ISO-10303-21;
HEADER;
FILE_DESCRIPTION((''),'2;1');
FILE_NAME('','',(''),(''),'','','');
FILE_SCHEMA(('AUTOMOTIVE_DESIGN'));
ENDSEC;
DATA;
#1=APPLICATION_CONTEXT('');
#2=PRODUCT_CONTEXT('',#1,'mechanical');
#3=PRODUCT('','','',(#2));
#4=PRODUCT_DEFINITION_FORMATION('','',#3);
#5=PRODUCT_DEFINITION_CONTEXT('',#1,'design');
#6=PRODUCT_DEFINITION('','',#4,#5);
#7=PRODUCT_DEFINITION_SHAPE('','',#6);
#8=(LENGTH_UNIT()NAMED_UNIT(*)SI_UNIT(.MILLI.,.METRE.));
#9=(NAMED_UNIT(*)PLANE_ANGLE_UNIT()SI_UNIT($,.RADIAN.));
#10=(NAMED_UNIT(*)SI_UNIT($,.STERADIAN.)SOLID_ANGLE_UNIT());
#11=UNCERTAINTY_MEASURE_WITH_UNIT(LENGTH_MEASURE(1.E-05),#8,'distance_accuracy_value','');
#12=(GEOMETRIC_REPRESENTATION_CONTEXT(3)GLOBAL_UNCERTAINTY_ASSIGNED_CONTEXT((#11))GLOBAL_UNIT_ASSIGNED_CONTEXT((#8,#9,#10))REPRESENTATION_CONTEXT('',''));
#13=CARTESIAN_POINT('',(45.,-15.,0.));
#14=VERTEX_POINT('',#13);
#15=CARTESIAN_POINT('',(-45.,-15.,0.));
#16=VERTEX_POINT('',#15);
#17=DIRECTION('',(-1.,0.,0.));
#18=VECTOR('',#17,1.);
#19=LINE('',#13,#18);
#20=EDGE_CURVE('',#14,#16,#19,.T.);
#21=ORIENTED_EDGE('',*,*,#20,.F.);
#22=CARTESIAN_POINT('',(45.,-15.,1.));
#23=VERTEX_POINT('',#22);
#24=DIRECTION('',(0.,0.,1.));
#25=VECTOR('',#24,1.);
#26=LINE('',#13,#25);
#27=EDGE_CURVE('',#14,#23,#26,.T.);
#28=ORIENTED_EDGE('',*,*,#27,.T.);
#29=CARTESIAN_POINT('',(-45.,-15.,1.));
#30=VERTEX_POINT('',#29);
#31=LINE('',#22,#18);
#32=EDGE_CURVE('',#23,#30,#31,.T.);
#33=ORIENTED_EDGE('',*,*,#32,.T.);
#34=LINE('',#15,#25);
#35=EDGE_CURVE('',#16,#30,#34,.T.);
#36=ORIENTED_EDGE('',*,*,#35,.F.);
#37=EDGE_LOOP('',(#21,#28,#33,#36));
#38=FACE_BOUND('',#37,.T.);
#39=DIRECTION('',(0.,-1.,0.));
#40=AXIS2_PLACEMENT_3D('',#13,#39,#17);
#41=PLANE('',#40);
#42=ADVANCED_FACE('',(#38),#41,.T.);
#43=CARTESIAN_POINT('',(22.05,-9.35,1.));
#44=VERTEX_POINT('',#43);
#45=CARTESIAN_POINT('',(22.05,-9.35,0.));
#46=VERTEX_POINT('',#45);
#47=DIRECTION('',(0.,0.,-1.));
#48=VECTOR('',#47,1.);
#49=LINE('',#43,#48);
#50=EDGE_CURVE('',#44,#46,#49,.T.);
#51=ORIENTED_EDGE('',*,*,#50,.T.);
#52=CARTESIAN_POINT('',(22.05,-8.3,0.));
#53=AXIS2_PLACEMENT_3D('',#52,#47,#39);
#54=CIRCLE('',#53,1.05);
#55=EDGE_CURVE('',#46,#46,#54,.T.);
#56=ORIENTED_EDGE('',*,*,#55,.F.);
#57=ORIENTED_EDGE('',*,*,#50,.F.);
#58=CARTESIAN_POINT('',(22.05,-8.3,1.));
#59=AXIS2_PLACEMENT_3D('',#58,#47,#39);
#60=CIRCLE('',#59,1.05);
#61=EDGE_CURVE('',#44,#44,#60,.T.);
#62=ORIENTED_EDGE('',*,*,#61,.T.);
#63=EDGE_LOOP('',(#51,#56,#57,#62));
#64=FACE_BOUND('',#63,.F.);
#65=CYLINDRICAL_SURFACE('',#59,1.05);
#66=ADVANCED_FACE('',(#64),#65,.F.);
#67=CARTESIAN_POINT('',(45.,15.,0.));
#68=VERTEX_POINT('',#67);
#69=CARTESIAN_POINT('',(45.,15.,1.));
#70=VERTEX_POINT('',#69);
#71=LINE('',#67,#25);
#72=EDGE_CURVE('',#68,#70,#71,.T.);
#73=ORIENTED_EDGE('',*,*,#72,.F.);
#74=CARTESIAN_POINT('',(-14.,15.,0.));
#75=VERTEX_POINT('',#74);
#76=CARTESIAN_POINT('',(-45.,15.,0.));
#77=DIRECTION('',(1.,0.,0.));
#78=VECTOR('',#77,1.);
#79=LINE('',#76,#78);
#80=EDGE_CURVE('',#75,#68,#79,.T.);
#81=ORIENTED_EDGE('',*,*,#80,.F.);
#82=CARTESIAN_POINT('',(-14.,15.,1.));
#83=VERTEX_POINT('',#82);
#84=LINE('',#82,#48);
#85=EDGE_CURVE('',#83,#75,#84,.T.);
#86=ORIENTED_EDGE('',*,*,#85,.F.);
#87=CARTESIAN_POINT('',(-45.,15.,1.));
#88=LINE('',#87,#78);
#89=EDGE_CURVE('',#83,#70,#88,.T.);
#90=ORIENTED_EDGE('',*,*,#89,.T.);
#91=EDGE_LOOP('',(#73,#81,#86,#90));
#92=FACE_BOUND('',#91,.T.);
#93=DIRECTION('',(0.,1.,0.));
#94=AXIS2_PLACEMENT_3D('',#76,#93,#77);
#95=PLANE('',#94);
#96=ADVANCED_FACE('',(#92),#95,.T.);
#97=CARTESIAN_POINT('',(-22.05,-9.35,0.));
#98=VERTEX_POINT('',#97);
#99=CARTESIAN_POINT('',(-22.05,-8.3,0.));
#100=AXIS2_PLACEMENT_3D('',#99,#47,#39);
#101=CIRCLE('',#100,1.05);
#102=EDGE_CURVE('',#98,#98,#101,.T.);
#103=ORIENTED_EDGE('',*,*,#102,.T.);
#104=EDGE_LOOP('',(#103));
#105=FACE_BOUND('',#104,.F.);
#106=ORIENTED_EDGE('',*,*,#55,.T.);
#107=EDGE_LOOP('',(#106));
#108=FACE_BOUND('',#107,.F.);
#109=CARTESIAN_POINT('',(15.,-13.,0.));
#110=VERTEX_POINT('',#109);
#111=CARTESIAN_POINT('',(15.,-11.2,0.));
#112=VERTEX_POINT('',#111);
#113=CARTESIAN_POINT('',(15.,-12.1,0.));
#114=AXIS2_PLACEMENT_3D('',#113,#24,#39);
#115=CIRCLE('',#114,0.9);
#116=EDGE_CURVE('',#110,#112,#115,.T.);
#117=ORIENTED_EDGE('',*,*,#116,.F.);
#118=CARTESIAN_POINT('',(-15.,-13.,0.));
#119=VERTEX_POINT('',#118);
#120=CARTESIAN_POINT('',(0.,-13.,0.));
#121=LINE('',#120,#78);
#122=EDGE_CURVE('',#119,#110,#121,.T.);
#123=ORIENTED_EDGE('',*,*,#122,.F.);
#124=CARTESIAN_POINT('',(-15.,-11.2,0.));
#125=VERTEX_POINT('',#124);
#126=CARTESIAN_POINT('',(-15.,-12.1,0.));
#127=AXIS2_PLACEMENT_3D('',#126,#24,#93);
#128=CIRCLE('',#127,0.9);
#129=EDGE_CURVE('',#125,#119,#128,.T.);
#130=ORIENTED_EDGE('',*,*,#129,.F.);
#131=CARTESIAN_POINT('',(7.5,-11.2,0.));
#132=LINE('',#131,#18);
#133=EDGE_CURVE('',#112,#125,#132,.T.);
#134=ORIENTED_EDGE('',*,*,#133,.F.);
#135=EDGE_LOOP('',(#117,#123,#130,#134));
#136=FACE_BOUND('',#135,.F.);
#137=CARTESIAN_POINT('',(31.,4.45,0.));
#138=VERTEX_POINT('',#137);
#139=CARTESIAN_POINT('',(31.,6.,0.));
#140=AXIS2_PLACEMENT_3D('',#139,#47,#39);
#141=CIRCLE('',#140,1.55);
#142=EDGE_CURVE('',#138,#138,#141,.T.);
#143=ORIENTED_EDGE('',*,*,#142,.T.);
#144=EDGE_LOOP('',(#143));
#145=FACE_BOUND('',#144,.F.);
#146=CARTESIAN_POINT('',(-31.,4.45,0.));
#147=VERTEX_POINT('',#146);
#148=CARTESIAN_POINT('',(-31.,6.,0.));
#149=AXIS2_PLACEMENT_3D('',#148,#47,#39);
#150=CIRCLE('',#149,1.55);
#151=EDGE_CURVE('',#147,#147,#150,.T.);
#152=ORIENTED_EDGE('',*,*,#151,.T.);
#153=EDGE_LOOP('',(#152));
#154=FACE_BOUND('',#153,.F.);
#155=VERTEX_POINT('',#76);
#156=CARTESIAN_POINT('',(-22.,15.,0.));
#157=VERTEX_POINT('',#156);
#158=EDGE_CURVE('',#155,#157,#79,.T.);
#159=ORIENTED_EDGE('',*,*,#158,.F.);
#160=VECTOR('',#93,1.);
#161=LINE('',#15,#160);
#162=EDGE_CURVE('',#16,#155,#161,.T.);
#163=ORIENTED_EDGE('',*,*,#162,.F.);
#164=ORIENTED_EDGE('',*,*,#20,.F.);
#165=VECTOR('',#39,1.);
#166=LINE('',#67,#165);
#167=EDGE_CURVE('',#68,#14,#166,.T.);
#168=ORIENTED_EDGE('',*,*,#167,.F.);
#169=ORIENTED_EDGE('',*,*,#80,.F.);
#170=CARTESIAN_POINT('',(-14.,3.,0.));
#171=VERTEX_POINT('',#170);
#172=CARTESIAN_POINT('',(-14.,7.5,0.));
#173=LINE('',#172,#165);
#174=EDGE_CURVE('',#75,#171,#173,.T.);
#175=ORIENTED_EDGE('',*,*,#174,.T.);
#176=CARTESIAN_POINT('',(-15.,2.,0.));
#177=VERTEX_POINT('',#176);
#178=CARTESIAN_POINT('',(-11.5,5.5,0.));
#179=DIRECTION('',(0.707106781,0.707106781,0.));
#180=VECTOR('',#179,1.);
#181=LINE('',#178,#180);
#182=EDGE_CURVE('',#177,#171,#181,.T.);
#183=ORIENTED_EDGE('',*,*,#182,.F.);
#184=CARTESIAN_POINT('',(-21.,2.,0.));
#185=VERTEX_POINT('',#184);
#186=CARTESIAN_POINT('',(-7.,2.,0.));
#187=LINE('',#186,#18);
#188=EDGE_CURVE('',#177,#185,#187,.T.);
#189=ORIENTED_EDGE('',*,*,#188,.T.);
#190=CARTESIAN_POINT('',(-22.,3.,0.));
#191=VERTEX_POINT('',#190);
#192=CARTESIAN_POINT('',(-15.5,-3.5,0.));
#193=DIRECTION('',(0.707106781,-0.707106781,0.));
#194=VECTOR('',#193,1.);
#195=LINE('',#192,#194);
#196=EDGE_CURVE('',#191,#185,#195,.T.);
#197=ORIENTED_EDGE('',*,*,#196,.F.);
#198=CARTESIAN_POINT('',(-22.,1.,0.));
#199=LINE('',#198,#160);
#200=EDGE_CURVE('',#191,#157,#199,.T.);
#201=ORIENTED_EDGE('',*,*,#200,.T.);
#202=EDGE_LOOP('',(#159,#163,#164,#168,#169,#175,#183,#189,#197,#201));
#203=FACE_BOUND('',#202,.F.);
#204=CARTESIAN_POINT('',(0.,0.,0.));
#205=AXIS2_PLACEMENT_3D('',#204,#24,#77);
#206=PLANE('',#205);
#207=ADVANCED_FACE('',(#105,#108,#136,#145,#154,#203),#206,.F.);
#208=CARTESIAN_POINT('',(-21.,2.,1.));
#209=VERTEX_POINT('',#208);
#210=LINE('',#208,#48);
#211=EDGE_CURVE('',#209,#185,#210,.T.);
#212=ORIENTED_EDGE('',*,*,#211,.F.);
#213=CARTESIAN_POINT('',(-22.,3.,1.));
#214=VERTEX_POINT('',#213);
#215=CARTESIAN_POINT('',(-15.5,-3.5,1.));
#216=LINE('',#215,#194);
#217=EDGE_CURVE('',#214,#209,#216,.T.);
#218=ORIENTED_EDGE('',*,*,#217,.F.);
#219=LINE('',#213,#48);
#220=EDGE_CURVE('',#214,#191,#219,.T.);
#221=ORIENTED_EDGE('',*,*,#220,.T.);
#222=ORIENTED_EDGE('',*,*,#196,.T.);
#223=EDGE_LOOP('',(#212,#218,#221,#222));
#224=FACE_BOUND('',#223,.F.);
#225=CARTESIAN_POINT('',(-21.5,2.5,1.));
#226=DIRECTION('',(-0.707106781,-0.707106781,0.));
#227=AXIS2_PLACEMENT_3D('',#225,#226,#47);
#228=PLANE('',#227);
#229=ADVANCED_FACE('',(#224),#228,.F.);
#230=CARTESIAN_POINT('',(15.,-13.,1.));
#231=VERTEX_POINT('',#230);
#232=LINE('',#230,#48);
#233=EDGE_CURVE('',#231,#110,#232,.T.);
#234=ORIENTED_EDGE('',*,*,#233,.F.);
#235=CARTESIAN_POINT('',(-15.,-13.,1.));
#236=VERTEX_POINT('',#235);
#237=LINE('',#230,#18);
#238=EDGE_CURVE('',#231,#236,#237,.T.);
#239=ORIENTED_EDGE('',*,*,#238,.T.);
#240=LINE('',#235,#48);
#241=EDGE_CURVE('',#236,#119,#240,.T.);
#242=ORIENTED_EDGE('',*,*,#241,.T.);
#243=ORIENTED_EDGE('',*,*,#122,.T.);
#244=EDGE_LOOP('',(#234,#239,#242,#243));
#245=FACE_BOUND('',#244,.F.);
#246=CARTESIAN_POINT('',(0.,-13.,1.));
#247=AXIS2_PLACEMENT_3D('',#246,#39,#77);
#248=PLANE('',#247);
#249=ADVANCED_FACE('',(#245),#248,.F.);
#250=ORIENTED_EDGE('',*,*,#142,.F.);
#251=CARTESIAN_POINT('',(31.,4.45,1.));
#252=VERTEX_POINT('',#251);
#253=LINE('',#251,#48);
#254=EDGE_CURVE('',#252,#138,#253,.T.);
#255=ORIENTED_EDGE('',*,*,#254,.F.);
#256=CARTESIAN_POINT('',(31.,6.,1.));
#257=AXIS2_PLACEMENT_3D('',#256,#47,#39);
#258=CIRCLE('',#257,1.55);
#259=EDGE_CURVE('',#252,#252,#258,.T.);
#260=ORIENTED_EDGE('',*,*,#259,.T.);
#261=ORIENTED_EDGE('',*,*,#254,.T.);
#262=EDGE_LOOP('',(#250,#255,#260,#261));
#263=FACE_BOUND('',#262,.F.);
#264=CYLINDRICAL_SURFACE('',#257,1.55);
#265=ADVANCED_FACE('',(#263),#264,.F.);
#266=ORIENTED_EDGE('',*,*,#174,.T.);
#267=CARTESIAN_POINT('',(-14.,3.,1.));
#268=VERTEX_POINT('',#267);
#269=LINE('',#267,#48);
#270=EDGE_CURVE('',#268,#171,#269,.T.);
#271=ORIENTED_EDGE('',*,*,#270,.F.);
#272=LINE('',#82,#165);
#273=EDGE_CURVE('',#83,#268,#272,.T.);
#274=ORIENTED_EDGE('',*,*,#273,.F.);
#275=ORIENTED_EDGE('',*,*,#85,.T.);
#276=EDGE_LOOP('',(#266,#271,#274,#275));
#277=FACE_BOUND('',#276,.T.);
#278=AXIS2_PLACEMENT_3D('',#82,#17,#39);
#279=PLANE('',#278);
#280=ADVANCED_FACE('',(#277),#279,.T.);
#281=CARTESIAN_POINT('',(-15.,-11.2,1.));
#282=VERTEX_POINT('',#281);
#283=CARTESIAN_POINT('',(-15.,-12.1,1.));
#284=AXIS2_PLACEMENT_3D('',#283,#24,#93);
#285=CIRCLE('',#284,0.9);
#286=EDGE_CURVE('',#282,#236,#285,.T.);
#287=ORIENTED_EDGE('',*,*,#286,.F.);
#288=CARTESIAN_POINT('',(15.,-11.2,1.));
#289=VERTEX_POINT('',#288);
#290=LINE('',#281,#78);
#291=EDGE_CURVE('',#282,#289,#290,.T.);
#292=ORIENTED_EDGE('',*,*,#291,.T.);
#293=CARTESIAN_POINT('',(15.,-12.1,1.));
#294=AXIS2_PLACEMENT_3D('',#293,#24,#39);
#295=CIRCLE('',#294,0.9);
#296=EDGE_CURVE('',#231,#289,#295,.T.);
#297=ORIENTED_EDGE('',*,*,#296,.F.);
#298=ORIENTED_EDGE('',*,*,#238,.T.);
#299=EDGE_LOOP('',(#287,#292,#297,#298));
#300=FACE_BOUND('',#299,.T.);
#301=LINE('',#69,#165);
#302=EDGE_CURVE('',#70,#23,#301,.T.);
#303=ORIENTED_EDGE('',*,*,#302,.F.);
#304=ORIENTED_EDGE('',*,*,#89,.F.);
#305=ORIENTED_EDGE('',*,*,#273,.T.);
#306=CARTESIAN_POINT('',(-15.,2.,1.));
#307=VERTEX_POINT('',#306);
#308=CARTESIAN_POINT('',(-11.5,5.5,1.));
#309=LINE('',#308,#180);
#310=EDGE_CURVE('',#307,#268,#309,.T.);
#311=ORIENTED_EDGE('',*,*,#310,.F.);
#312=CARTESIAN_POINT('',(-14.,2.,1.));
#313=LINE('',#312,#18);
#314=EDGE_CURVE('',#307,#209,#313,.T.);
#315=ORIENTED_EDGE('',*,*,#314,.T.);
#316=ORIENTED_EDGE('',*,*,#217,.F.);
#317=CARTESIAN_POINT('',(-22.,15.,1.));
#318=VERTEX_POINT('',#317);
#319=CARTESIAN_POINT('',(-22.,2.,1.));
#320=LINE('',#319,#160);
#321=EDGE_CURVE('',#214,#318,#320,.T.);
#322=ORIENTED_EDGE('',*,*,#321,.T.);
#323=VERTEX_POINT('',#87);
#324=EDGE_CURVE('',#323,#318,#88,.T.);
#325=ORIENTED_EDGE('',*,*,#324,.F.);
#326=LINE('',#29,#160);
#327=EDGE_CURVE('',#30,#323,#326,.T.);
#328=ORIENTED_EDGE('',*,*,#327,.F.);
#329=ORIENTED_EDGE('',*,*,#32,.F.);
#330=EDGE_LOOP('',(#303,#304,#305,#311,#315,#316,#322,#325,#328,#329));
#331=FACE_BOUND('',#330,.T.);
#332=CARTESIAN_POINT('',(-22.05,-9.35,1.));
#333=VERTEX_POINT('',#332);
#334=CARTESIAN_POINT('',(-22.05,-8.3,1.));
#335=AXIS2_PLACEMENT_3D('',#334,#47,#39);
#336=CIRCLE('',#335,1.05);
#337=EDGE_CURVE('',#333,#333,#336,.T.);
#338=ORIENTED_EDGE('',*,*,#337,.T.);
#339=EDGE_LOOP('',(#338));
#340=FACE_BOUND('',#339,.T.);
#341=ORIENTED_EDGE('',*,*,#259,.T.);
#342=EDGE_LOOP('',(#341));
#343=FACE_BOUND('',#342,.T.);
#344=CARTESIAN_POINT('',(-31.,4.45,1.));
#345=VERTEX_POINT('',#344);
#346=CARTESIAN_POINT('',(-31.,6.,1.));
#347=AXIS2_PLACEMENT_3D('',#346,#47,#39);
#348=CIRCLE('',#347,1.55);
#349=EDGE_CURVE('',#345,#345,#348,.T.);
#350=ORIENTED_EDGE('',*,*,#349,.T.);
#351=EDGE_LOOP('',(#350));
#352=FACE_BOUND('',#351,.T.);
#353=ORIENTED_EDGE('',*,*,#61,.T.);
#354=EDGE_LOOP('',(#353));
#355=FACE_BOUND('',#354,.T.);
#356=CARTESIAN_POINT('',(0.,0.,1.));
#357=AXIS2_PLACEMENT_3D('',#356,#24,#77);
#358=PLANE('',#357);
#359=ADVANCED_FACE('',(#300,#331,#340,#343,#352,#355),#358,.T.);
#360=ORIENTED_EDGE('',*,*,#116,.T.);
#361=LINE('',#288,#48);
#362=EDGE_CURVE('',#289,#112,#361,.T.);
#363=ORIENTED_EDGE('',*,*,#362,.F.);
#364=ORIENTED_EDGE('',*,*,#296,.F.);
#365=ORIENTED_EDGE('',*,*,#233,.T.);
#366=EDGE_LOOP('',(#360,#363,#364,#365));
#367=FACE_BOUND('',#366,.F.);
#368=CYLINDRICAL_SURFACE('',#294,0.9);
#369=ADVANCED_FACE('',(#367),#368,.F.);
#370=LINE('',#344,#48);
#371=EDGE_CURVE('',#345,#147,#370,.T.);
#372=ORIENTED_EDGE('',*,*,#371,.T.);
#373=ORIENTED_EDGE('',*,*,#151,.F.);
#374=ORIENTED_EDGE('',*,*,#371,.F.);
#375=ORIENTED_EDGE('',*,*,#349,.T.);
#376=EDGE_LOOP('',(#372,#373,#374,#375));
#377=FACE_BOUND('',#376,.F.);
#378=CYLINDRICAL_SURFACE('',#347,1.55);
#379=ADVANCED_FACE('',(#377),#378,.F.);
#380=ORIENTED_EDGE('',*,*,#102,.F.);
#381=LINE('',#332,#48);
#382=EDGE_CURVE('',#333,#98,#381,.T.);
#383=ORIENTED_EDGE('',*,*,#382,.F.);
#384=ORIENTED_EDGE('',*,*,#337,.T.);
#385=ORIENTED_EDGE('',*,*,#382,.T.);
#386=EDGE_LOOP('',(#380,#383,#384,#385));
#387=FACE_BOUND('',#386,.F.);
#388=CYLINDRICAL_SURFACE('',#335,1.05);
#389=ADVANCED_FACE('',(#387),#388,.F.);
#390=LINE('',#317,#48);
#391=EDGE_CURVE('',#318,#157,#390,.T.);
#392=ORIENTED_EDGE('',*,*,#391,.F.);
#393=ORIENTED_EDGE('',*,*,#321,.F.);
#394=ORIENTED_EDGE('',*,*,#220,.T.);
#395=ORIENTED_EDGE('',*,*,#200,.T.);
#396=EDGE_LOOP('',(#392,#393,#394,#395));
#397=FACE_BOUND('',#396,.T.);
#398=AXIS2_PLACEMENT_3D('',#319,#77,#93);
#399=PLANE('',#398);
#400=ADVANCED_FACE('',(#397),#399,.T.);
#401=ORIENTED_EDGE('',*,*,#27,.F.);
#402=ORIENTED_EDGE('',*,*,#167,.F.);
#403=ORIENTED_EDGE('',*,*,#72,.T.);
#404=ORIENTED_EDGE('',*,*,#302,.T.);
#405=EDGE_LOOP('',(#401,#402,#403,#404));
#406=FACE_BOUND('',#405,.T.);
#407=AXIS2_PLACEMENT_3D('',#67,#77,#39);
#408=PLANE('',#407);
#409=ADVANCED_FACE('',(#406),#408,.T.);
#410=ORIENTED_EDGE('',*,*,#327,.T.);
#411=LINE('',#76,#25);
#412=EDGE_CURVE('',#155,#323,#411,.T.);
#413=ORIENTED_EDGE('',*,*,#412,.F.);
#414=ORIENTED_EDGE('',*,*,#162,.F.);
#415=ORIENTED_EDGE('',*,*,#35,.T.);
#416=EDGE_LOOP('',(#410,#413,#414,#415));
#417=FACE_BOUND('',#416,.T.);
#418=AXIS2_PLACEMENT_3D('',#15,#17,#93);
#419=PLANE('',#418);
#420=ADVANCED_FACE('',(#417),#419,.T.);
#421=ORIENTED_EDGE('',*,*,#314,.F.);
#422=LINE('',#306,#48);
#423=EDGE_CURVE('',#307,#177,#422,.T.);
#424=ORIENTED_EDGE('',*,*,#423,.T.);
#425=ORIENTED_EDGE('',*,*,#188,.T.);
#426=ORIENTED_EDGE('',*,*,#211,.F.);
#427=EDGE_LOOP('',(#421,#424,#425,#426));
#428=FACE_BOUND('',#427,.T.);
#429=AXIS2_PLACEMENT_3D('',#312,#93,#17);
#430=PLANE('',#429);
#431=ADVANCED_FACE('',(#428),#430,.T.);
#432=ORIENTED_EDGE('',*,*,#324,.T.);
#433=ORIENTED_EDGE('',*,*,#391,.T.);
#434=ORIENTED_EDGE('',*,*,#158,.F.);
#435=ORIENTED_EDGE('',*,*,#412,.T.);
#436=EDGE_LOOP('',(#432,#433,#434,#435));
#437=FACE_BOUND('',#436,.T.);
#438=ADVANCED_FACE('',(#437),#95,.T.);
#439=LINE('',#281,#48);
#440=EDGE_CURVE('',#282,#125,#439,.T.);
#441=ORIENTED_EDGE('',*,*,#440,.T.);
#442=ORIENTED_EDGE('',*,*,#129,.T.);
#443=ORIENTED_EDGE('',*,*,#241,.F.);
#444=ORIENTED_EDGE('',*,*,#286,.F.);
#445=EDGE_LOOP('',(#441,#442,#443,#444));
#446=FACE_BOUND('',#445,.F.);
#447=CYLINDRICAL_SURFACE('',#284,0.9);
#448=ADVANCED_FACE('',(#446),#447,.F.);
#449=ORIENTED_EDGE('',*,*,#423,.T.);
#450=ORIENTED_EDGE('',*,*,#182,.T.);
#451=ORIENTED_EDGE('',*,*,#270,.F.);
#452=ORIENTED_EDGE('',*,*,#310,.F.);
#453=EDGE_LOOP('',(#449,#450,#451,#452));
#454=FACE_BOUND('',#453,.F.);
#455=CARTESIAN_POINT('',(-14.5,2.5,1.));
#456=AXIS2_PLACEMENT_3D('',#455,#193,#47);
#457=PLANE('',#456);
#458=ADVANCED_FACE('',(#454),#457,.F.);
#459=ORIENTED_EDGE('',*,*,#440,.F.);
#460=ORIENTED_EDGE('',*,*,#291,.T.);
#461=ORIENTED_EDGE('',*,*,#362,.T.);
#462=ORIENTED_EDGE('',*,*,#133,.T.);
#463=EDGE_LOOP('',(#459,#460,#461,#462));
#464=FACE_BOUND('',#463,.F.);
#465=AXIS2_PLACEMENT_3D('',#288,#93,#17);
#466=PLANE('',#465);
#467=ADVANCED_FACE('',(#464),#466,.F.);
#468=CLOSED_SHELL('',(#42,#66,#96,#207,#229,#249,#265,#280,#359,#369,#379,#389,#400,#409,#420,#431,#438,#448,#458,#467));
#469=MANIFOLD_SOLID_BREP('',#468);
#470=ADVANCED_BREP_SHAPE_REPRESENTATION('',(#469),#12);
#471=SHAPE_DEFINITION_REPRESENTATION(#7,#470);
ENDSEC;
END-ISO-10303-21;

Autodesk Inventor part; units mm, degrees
ref_plane "YZ Plane" through (0, 0, 0) normal (1, 0, 0) x (0, 1, 0)
ref_plane "XZ Plane" through (0, 0, 0) normal (0, 1, 0) x (-1, 0, 0)
ref_plane "XY Plane" through (0, 0, 0) normal (0, 0, 1) x (1, 0, 0)
sketch "Skizze1" plane through (0, 0, 0) normal (0, 0, 1) x (1, 0, 0)
  line L0 (-45, 15) -> (45, 15)
  line L1 (45, 15) -> (45, -15)
  line L2 (45, -15) -> (-45, -15)
  line L3 (-45, -15) -> (-45, 15)
  line L4 (-45, 15) -> (45, -15) construction
  line L5 (45, 15) -> (-45, -15) construction
  point P0 (0, 0)
  dimension "d0" = 30
  dimension "d1" = 90
extrude "Extrusion1" add sketch "Skizze1" along normal blind 1
sketch "Skizze4" plane through (0, 0, 1) normal (0, 0, 1) x (1, 0, 0)
  line L0 (15, -12.1) -> (-15, -12.1) construction
  line L1 (15, -11.2) -> (-15, -11.2)
  line L2 (-15, -13) -> (15, -13)
  arc A0 (15, -13) -> (15, -11.2) centre (15, -12.1) ccw
  arc A1 (-15, -11.2) -> (-15, -13) centre (-15, -12.1) ccw
  line L3 (0, 21) -> (0, -21) projected
  line L4 (-45, -15) -> (45, -15) projected
  point P0 (0, 0)
  point P1 (0, -12.1)
  dimension "d25" = 1.8
  dimension "d26" = 30
  dimension "d27" = 2
extrude "Extrusion2" cut sketch "Skizze4" against normal through all
sketch "Skizze2" plane through (0, 0, 1) normal (0, 0, 1) x (1, 0, 0)
  line L0 (31, 6) -> (-31, 6) construction
  line L1 (45, 15) -> (-45, 15) projected
  line L2 (0, 21) -> (0, -21) projected
  line L3 (-45, -15) -> (45, -15) projected
  dimension "d5" = 62
  dimension "d48" = 21
hole "Bohrung1" at (-31, 6, 1) at (31, 6, 1) direction (0, 0, -1) diameter 3.1 end through all
sketch "Skizze5" plane through (0, 0, 1) normal (0, 0, 1) x (1, 0, 0)
  line L0 (-45, -15) -> (45, -15) projected
  line L1 (0, 21) -> (0, -21) projected
  point P0 (0, 0)
  point P1 (22.05, -8.3)
  point P2 (-22.05, -8.3)
  dimension "d30" = 6.7
  dimension "d31" = 44.1
hole "Bohrung3" at (22.05, -8.3, 1) at (-22.05, -8.3, 1) direction (0, 0, -1) diameter 2.1 end through all
sketch "Skizze7" plane through (0, 0, 1) normal (0, 0, 1) x (1, 0, 0)
  line L0 (0, 21) -> (0, -21) projected
  line L1 (-45, -15) -> (45, -15) projected
  line L2 (-22, 15) -> (-14, 15)
  line L3 (-14, 15) -> (-14, 2)
  line L4 (-14, 2) -> (-22, 2)
  line L5 (-22, 2) -> (-22, 15)
  line L6 (-18, 2) -> (-18, 15) construction
  line L7 (45, 15) -> (-45, 15) construction
  point P0 (0, 0)
  dimension "d49" = 18
  dimension "d50" = 17
  dimension "d51" = 8
extrude "Extrusion4" cut sketch "Skizze7" against normal through all
chamfer "Fase1" distance 1 angle 45 2 edges at (-22, 2, 0.5) (-14, 2, 0.5)
properties part number "Ballsensorplatine" material "Phenolharz"
